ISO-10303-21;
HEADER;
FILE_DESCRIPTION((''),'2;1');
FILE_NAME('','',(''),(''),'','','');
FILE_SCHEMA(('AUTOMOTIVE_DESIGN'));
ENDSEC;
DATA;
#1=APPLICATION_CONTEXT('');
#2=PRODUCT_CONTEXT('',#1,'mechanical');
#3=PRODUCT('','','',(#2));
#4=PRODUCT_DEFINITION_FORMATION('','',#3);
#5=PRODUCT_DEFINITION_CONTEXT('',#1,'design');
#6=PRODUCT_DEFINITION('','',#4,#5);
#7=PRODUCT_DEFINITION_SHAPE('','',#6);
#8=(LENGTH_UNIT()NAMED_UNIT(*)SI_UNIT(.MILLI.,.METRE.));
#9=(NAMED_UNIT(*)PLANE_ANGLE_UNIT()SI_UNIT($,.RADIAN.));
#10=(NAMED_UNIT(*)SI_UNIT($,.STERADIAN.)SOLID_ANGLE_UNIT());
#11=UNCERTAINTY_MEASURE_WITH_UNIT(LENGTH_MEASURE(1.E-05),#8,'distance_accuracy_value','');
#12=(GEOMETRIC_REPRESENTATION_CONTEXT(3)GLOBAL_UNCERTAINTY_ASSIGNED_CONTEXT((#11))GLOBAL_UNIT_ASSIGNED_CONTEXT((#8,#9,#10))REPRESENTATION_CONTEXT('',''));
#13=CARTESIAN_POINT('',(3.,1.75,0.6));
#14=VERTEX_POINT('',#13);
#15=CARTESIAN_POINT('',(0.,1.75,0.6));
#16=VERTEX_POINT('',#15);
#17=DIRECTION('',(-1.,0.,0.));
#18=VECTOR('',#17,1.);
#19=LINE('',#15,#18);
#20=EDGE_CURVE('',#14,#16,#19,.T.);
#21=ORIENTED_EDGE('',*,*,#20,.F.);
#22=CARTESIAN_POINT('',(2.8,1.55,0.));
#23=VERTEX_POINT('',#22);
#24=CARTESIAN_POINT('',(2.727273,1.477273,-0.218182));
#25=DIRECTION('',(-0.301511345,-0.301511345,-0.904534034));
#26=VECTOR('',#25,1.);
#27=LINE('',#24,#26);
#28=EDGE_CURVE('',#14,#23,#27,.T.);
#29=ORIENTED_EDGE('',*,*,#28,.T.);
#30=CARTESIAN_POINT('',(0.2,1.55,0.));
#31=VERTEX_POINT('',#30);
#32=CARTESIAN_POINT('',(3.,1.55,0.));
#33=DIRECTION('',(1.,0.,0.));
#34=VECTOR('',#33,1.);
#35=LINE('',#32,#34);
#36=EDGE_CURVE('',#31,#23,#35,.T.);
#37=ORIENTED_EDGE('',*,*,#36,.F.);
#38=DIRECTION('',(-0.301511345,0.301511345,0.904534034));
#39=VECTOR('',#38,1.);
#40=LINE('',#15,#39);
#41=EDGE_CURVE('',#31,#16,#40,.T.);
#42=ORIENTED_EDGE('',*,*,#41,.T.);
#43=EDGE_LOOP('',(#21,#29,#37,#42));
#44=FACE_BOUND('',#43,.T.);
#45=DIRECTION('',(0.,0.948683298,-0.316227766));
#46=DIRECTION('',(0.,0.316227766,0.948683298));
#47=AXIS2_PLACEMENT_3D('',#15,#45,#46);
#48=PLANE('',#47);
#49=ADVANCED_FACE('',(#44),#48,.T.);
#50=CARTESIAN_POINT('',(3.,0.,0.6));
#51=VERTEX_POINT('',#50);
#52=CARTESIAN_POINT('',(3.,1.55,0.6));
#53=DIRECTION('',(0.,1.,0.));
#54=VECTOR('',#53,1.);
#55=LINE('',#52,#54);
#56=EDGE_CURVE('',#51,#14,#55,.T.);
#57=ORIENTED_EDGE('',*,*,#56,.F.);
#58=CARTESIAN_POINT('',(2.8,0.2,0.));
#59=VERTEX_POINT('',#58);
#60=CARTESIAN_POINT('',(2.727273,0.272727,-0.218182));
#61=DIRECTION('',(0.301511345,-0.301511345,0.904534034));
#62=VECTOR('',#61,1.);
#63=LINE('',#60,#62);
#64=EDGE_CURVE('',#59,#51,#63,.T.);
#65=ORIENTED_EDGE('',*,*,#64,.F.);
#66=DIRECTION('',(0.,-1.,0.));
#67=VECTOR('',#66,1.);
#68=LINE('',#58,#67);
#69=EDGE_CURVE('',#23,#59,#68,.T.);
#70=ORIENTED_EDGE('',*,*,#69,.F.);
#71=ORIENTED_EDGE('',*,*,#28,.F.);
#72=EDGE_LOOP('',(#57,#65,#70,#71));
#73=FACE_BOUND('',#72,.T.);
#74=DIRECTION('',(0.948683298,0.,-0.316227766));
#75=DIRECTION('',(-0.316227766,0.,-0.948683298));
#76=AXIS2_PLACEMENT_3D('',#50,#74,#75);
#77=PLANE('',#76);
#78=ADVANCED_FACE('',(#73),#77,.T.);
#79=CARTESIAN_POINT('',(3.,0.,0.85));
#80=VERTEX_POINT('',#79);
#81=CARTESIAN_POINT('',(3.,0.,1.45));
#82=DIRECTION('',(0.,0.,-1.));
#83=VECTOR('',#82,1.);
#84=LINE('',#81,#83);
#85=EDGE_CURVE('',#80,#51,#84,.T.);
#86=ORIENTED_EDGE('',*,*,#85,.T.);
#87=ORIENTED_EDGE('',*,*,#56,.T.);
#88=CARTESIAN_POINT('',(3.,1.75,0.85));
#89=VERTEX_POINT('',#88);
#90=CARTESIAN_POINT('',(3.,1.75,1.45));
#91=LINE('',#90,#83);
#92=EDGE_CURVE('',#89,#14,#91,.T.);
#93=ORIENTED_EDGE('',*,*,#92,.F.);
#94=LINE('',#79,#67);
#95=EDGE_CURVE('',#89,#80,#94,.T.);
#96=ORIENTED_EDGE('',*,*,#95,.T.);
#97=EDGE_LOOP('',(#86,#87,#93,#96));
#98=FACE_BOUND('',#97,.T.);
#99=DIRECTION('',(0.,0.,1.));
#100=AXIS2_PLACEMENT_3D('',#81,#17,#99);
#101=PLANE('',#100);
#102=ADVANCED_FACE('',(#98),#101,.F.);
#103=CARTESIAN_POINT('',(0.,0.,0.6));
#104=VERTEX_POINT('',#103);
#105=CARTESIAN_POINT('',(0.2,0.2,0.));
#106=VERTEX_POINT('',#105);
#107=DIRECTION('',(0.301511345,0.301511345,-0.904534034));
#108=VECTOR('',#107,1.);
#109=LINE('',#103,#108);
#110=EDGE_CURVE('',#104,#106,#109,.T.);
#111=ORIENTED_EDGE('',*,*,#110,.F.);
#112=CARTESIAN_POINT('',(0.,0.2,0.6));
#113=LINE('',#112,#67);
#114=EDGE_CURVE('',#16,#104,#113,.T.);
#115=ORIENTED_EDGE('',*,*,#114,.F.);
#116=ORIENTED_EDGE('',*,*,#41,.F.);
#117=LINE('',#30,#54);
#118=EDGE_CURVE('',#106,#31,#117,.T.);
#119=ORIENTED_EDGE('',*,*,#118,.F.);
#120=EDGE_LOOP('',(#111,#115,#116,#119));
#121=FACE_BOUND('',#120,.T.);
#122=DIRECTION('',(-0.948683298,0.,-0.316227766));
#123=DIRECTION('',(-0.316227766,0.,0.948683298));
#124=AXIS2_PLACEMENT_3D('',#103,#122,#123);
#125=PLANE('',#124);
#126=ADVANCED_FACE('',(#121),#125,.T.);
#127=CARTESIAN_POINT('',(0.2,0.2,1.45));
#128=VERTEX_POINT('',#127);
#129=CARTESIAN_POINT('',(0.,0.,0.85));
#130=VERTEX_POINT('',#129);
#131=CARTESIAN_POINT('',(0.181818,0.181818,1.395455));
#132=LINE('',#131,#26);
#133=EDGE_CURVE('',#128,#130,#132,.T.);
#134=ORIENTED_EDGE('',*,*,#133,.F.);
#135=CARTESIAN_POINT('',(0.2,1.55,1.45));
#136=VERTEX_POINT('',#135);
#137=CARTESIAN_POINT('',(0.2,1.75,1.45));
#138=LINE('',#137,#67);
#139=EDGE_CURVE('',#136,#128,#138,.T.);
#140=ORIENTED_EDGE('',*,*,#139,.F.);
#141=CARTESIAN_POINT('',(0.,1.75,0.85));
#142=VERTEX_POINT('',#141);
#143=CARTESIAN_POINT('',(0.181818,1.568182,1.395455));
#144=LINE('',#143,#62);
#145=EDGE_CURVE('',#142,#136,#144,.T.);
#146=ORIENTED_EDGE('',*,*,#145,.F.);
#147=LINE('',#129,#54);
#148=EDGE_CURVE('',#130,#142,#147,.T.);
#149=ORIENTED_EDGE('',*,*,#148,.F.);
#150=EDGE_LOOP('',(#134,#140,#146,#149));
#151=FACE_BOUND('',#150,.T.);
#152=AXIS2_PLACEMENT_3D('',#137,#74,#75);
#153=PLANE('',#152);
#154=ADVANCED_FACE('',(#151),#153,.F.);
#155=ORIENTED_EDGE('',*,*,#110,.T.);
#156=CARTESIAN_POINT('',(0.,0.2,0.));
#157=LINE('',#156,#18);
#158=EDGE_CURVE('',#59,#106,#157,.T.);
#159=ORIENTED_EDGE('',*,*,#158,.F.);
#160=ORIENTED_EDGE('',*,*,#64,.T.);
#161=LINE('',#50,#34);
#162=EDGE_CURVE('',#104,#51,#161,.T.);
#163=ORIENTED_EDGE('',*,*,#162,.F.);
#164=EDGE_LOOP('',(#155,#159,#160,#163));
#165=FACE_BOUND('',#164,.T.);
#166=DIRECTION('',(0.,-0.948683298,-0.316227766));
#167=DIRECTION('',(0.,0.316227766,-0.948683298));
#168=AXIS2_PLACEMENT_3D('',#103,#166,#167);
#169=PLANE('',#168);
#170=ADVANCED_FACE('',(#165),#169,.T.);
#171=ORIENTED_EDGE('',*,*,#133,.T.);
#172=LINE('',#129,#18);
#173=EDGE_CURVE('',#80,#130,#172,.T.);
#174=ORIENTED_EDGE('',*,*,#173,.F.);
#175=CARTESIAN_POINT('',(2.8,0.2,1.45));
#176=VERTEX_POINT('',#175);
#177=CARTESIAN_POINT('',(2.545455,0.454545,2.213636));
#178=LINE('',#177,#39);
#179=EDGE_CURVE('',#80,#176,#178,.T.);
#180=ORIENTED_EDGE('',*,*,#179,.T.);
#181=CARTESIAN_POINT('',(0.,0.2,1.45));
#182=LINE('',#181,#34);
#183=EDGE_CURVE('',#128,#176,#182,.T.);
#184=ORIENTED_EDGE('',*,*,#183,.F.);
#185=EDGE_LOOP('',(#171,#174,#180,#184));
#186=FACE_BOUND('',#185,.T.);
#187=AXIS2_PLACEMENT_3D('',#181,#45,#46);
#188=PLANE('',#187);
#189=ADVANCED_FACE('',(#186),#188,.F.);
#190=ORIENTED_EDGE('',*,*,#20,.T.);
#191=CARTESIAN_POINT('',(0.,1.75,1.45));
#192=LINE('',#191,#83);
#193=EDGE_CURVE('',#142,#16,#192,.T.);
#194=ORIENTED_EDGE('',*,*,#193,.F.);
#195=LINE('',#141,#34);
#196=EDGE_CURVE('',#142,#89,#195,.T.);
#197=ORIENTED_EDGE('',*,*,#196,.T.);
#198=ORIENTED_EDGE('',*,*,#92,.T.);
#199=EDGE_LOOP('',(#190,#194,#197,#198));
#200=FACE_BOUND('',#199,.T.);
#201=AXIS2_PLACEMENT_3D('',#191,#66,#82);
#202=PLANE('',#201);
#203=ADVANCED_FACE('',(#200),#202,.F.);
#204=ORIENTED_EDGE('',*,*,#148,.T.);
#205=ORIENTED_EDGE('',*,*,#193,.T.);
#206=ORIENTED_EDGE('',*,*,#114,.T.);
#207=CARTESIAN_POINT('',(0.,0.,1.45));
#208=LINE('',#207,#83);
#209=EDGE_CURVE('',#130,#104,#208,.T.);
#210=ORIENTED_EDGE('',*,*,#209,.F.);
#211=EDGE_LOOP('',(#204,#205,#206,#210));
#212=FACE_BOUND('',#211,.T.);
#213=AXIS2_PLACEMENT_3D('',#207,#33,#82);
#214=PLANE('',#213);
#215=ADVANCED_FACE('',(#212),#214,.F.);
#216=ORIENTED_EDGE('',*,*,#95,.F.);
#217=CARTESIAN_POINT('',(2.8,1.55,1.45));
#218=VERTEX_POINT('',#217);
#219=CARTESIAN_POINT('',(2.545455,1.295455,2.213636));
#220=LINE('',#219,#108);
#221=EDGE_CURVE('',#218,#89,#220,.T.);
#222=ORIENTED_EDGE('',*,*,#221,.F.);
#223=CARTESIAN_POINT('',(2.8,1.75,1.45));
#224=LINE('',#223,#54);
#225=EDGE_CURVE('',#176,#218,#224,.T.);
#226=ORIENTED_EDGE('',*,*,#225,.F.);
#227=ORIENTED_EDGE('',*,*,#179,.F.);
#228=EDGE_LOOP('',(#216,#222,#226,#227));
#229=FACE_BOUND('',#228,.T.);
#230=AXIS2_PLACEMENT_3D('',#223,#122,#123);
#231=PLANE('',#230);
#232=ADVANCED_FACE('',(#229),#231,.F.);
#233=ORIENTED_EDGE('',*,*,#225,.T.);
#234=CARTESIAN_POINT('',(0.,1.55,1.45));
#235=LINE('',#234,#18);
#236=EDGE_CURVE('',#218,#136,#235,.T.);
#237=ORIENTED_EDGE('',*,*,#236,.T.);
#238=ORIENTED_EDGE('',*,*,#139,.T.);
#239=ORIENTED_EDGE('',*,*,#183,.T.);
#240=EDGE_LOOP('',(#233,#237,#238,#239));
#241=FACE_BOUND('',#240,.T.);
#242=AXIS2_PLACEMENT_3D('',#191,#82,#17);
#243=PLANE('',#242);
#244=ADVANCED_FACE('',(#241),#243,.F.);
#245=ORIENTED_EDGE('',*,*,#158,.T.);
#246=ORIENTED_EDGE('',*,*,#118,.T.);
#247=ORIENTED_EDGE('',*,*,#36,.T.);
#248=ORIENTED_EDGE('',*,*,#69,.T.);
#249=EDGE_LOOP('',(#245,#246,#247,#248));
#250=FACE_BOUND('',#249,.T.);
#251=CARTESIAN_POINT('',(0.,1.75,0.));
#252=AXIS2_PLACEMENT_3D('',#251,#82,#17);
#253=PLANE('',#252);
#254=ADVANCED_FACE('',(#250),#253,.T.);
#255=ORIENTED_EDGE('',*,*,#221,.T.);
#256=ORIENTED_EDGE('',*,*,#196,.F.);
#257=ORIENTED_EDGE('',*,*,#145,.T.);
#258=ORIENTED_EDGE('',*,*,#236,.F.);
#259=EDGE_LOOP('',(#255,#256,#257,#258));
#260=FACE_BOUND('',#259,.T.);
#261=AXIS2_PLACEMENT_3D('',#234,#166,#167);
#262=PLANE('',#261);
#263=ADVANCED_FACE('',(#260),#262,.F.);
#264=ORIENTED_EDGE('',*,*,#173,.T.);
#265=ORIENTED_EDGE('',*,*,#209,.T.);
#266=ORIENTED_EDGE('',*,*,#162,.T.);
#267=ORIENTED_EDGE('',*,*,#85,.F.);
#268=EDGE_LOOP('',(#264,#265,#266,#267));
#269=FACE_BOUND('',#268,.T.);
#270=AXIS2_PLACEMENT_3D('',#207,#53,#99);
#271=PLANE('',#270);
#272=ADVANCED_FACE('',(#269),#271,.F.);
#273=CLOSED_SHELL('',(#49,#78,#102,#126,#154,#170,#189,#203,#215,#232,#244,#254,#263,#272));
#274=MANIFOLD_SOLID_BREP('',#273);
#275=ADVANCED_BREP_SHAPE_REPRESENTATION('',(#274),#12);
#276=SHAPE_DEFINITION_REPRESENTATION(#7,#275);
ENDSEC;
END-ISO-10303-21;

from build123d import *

# Parameters (mm, degrees)
ESQUISSE1_W        = 3
ESQUISSE1_H        = 1.75
BOSS_EXTRU_1_DEPTH = 1.45
CHANFREIN1_SIZE    = 0.6
CHANFREIN1_SIZE2   = 0.2
CHANFREIN2_SIZE    = 0.2
CHANFREIN2_SIZE2   = 0.6
CHANFREIN3_SIZE    = 0.6
CHANFREIN3_SIZE2   = 0.2
CHANFREIN4_SIZE    = 0.2
CHANFREIN4_SIZE2   = 0.6
CHANFREIN5_SIZE    = 0.6
CHANFREIN5_SIZE2   = 0.2
CHANFREIN6_SIZE    = 0.2
CHANFREIN6_SIZE2   = 0.6
CHANFREIN7_SIZE    = 0.6
CHANFREIN7_SIZE2   = 0.2
CHANFREIN8_SIZE    = 0.2
CHANFREIN8_SIZE2   = 0.6


with BuildPart() as part:
    # Esquisse1 → Boss.-Extru.1 (new body)
    with BuildSketch(Plane.XY):
        with Locations((1.5, 0.875)):
            Rectangle(ESQUISSE1_W, ESQUISSE1_H)
    extrude(amount=BOSS_EXTRU_1_DEPTH)

    # Chanfrein1
    chanfrein1_edges = [part.edges().sort_by_distance(p)[0] for p in [
        (1.5, 0, 1.45),
    ]]
    chanfrein1_side = [part.faces().sort_by_distance(p)[0] for p in [
        (1.5, 0, 0.725),
    ]]
    chamfer(chanfrein1_edges, length=CHANFREIN1_SIZE, length2=CHANFREIN1_SIZE2, reference=chanfrein1_side[0])

    # Chanfrein2
    chanfrein2_edges = [part.edges().sort_by_distance(p)[0] for p in [
        (1.5, 0, 0),
    ]]
    chanfrein2_side = [part.faces().sort_by_distance(p)[0] for p in [
        (1.5, 0.875, 0),
    ]]
    chamfer(chanfrein2_edges, length=CHANFREIN2_SIZE, length2=CHANFREIN2_SIZE2, reference=chanfrein2_side[0])

    # Chanfrein3
    chanfrein3_edges = [part.edges().sort_by_distance(p)[0] for p in [
        (1.5, 1.75, 1.45),
    ]]
    chanfrein3_side = [part.faces().sort_by_distance(p)[0] for p in [
        (1.5, 1.75, 0.725),
    ]]
    chamfer(chanfrein3_edges, length=CHANFREIN3_SIZE, length2=CHANFREIN3_SIZE2, reference=chanfrein3_side[0])

    # Chanfrein4
    chanfrein4_edges = [part.edges().sort_by_distance(p)[0] for p in [
        (1.5, 1.75, 0),
    ]]
    chanfrein4_side = [part.faces().sort_by_distance(p)[0] for p in [
        (1.5, 0.975, 0),
    ]]
    chamfer(chanfrein4_edges, length=CHANFREIN4_SIZE, length2=CHANFREIN4_SIZE2, reference=chanfrein4_side[0])

    # Chanfrein5
    chanfrein5_edges = [part.edges().sort_by_distance(p)[0] for p in [
        (0, 0.875, 1.45),
    ]]
    chanfrein5_side = [part.faces().sort_by_distance(p)[0] for p in [
        (0, 0.875, 0.725),
    ]]
    chamfer(chanfrein5_edges, length=CHANFREIN5_SIZE, length2=CHANFREIN5_SIZE2, reference=chanfrein5_side[0])

    # Chanfrein6
    chanfrein6_edges = [part.edges().sort_by_distance(p)[0] for p in [
        (0, 0.875, 0),
    ]]
    chanfrein6_side = [part.faces().sort_by_distance(p)[0] for p in [
        (1.5, 0.875, 0),
    ]]
    chamfer(chanfrein6_edges, length=CHANFREIN6_SIZE, length2=CHANFREIN6_SIZE2, reference=chanfrein6_side[0])

    # Chanfrein7
    chanfrein7_edges = [part.edges().sort_by_distance(p)[0] for p in [
        (3, 0.875, 1.45),
    ]]
    chanfrein7_side = [part.faces().sort_by_distance(p)[0] for p in [
        (3, 0.875, 0.725),
    ]]
    chamfer(chanfrein7_edges, length=CHANFREIN7_SIZE, length2=CHANFREIN7_SIZE2, reference=chanfrein7_side[0])

    # Chanfrein8
    chanfrein8_edges = [part.edges().sort_by_distance(p)[0] for p in [
        (3, 0.875, 0),
    ]]
    chanfrein8_side = [part.faces().sort_by_distance(p)[0] for p in [
        (1.6, 0.875, 0),
    ]]
    chamfer(chanfrein8_edges, length=CHANFREIN8_SIZE, length2=CHANFREIN8_SIZE2, reference=chanfrein8_side[0])


solid = part.part
